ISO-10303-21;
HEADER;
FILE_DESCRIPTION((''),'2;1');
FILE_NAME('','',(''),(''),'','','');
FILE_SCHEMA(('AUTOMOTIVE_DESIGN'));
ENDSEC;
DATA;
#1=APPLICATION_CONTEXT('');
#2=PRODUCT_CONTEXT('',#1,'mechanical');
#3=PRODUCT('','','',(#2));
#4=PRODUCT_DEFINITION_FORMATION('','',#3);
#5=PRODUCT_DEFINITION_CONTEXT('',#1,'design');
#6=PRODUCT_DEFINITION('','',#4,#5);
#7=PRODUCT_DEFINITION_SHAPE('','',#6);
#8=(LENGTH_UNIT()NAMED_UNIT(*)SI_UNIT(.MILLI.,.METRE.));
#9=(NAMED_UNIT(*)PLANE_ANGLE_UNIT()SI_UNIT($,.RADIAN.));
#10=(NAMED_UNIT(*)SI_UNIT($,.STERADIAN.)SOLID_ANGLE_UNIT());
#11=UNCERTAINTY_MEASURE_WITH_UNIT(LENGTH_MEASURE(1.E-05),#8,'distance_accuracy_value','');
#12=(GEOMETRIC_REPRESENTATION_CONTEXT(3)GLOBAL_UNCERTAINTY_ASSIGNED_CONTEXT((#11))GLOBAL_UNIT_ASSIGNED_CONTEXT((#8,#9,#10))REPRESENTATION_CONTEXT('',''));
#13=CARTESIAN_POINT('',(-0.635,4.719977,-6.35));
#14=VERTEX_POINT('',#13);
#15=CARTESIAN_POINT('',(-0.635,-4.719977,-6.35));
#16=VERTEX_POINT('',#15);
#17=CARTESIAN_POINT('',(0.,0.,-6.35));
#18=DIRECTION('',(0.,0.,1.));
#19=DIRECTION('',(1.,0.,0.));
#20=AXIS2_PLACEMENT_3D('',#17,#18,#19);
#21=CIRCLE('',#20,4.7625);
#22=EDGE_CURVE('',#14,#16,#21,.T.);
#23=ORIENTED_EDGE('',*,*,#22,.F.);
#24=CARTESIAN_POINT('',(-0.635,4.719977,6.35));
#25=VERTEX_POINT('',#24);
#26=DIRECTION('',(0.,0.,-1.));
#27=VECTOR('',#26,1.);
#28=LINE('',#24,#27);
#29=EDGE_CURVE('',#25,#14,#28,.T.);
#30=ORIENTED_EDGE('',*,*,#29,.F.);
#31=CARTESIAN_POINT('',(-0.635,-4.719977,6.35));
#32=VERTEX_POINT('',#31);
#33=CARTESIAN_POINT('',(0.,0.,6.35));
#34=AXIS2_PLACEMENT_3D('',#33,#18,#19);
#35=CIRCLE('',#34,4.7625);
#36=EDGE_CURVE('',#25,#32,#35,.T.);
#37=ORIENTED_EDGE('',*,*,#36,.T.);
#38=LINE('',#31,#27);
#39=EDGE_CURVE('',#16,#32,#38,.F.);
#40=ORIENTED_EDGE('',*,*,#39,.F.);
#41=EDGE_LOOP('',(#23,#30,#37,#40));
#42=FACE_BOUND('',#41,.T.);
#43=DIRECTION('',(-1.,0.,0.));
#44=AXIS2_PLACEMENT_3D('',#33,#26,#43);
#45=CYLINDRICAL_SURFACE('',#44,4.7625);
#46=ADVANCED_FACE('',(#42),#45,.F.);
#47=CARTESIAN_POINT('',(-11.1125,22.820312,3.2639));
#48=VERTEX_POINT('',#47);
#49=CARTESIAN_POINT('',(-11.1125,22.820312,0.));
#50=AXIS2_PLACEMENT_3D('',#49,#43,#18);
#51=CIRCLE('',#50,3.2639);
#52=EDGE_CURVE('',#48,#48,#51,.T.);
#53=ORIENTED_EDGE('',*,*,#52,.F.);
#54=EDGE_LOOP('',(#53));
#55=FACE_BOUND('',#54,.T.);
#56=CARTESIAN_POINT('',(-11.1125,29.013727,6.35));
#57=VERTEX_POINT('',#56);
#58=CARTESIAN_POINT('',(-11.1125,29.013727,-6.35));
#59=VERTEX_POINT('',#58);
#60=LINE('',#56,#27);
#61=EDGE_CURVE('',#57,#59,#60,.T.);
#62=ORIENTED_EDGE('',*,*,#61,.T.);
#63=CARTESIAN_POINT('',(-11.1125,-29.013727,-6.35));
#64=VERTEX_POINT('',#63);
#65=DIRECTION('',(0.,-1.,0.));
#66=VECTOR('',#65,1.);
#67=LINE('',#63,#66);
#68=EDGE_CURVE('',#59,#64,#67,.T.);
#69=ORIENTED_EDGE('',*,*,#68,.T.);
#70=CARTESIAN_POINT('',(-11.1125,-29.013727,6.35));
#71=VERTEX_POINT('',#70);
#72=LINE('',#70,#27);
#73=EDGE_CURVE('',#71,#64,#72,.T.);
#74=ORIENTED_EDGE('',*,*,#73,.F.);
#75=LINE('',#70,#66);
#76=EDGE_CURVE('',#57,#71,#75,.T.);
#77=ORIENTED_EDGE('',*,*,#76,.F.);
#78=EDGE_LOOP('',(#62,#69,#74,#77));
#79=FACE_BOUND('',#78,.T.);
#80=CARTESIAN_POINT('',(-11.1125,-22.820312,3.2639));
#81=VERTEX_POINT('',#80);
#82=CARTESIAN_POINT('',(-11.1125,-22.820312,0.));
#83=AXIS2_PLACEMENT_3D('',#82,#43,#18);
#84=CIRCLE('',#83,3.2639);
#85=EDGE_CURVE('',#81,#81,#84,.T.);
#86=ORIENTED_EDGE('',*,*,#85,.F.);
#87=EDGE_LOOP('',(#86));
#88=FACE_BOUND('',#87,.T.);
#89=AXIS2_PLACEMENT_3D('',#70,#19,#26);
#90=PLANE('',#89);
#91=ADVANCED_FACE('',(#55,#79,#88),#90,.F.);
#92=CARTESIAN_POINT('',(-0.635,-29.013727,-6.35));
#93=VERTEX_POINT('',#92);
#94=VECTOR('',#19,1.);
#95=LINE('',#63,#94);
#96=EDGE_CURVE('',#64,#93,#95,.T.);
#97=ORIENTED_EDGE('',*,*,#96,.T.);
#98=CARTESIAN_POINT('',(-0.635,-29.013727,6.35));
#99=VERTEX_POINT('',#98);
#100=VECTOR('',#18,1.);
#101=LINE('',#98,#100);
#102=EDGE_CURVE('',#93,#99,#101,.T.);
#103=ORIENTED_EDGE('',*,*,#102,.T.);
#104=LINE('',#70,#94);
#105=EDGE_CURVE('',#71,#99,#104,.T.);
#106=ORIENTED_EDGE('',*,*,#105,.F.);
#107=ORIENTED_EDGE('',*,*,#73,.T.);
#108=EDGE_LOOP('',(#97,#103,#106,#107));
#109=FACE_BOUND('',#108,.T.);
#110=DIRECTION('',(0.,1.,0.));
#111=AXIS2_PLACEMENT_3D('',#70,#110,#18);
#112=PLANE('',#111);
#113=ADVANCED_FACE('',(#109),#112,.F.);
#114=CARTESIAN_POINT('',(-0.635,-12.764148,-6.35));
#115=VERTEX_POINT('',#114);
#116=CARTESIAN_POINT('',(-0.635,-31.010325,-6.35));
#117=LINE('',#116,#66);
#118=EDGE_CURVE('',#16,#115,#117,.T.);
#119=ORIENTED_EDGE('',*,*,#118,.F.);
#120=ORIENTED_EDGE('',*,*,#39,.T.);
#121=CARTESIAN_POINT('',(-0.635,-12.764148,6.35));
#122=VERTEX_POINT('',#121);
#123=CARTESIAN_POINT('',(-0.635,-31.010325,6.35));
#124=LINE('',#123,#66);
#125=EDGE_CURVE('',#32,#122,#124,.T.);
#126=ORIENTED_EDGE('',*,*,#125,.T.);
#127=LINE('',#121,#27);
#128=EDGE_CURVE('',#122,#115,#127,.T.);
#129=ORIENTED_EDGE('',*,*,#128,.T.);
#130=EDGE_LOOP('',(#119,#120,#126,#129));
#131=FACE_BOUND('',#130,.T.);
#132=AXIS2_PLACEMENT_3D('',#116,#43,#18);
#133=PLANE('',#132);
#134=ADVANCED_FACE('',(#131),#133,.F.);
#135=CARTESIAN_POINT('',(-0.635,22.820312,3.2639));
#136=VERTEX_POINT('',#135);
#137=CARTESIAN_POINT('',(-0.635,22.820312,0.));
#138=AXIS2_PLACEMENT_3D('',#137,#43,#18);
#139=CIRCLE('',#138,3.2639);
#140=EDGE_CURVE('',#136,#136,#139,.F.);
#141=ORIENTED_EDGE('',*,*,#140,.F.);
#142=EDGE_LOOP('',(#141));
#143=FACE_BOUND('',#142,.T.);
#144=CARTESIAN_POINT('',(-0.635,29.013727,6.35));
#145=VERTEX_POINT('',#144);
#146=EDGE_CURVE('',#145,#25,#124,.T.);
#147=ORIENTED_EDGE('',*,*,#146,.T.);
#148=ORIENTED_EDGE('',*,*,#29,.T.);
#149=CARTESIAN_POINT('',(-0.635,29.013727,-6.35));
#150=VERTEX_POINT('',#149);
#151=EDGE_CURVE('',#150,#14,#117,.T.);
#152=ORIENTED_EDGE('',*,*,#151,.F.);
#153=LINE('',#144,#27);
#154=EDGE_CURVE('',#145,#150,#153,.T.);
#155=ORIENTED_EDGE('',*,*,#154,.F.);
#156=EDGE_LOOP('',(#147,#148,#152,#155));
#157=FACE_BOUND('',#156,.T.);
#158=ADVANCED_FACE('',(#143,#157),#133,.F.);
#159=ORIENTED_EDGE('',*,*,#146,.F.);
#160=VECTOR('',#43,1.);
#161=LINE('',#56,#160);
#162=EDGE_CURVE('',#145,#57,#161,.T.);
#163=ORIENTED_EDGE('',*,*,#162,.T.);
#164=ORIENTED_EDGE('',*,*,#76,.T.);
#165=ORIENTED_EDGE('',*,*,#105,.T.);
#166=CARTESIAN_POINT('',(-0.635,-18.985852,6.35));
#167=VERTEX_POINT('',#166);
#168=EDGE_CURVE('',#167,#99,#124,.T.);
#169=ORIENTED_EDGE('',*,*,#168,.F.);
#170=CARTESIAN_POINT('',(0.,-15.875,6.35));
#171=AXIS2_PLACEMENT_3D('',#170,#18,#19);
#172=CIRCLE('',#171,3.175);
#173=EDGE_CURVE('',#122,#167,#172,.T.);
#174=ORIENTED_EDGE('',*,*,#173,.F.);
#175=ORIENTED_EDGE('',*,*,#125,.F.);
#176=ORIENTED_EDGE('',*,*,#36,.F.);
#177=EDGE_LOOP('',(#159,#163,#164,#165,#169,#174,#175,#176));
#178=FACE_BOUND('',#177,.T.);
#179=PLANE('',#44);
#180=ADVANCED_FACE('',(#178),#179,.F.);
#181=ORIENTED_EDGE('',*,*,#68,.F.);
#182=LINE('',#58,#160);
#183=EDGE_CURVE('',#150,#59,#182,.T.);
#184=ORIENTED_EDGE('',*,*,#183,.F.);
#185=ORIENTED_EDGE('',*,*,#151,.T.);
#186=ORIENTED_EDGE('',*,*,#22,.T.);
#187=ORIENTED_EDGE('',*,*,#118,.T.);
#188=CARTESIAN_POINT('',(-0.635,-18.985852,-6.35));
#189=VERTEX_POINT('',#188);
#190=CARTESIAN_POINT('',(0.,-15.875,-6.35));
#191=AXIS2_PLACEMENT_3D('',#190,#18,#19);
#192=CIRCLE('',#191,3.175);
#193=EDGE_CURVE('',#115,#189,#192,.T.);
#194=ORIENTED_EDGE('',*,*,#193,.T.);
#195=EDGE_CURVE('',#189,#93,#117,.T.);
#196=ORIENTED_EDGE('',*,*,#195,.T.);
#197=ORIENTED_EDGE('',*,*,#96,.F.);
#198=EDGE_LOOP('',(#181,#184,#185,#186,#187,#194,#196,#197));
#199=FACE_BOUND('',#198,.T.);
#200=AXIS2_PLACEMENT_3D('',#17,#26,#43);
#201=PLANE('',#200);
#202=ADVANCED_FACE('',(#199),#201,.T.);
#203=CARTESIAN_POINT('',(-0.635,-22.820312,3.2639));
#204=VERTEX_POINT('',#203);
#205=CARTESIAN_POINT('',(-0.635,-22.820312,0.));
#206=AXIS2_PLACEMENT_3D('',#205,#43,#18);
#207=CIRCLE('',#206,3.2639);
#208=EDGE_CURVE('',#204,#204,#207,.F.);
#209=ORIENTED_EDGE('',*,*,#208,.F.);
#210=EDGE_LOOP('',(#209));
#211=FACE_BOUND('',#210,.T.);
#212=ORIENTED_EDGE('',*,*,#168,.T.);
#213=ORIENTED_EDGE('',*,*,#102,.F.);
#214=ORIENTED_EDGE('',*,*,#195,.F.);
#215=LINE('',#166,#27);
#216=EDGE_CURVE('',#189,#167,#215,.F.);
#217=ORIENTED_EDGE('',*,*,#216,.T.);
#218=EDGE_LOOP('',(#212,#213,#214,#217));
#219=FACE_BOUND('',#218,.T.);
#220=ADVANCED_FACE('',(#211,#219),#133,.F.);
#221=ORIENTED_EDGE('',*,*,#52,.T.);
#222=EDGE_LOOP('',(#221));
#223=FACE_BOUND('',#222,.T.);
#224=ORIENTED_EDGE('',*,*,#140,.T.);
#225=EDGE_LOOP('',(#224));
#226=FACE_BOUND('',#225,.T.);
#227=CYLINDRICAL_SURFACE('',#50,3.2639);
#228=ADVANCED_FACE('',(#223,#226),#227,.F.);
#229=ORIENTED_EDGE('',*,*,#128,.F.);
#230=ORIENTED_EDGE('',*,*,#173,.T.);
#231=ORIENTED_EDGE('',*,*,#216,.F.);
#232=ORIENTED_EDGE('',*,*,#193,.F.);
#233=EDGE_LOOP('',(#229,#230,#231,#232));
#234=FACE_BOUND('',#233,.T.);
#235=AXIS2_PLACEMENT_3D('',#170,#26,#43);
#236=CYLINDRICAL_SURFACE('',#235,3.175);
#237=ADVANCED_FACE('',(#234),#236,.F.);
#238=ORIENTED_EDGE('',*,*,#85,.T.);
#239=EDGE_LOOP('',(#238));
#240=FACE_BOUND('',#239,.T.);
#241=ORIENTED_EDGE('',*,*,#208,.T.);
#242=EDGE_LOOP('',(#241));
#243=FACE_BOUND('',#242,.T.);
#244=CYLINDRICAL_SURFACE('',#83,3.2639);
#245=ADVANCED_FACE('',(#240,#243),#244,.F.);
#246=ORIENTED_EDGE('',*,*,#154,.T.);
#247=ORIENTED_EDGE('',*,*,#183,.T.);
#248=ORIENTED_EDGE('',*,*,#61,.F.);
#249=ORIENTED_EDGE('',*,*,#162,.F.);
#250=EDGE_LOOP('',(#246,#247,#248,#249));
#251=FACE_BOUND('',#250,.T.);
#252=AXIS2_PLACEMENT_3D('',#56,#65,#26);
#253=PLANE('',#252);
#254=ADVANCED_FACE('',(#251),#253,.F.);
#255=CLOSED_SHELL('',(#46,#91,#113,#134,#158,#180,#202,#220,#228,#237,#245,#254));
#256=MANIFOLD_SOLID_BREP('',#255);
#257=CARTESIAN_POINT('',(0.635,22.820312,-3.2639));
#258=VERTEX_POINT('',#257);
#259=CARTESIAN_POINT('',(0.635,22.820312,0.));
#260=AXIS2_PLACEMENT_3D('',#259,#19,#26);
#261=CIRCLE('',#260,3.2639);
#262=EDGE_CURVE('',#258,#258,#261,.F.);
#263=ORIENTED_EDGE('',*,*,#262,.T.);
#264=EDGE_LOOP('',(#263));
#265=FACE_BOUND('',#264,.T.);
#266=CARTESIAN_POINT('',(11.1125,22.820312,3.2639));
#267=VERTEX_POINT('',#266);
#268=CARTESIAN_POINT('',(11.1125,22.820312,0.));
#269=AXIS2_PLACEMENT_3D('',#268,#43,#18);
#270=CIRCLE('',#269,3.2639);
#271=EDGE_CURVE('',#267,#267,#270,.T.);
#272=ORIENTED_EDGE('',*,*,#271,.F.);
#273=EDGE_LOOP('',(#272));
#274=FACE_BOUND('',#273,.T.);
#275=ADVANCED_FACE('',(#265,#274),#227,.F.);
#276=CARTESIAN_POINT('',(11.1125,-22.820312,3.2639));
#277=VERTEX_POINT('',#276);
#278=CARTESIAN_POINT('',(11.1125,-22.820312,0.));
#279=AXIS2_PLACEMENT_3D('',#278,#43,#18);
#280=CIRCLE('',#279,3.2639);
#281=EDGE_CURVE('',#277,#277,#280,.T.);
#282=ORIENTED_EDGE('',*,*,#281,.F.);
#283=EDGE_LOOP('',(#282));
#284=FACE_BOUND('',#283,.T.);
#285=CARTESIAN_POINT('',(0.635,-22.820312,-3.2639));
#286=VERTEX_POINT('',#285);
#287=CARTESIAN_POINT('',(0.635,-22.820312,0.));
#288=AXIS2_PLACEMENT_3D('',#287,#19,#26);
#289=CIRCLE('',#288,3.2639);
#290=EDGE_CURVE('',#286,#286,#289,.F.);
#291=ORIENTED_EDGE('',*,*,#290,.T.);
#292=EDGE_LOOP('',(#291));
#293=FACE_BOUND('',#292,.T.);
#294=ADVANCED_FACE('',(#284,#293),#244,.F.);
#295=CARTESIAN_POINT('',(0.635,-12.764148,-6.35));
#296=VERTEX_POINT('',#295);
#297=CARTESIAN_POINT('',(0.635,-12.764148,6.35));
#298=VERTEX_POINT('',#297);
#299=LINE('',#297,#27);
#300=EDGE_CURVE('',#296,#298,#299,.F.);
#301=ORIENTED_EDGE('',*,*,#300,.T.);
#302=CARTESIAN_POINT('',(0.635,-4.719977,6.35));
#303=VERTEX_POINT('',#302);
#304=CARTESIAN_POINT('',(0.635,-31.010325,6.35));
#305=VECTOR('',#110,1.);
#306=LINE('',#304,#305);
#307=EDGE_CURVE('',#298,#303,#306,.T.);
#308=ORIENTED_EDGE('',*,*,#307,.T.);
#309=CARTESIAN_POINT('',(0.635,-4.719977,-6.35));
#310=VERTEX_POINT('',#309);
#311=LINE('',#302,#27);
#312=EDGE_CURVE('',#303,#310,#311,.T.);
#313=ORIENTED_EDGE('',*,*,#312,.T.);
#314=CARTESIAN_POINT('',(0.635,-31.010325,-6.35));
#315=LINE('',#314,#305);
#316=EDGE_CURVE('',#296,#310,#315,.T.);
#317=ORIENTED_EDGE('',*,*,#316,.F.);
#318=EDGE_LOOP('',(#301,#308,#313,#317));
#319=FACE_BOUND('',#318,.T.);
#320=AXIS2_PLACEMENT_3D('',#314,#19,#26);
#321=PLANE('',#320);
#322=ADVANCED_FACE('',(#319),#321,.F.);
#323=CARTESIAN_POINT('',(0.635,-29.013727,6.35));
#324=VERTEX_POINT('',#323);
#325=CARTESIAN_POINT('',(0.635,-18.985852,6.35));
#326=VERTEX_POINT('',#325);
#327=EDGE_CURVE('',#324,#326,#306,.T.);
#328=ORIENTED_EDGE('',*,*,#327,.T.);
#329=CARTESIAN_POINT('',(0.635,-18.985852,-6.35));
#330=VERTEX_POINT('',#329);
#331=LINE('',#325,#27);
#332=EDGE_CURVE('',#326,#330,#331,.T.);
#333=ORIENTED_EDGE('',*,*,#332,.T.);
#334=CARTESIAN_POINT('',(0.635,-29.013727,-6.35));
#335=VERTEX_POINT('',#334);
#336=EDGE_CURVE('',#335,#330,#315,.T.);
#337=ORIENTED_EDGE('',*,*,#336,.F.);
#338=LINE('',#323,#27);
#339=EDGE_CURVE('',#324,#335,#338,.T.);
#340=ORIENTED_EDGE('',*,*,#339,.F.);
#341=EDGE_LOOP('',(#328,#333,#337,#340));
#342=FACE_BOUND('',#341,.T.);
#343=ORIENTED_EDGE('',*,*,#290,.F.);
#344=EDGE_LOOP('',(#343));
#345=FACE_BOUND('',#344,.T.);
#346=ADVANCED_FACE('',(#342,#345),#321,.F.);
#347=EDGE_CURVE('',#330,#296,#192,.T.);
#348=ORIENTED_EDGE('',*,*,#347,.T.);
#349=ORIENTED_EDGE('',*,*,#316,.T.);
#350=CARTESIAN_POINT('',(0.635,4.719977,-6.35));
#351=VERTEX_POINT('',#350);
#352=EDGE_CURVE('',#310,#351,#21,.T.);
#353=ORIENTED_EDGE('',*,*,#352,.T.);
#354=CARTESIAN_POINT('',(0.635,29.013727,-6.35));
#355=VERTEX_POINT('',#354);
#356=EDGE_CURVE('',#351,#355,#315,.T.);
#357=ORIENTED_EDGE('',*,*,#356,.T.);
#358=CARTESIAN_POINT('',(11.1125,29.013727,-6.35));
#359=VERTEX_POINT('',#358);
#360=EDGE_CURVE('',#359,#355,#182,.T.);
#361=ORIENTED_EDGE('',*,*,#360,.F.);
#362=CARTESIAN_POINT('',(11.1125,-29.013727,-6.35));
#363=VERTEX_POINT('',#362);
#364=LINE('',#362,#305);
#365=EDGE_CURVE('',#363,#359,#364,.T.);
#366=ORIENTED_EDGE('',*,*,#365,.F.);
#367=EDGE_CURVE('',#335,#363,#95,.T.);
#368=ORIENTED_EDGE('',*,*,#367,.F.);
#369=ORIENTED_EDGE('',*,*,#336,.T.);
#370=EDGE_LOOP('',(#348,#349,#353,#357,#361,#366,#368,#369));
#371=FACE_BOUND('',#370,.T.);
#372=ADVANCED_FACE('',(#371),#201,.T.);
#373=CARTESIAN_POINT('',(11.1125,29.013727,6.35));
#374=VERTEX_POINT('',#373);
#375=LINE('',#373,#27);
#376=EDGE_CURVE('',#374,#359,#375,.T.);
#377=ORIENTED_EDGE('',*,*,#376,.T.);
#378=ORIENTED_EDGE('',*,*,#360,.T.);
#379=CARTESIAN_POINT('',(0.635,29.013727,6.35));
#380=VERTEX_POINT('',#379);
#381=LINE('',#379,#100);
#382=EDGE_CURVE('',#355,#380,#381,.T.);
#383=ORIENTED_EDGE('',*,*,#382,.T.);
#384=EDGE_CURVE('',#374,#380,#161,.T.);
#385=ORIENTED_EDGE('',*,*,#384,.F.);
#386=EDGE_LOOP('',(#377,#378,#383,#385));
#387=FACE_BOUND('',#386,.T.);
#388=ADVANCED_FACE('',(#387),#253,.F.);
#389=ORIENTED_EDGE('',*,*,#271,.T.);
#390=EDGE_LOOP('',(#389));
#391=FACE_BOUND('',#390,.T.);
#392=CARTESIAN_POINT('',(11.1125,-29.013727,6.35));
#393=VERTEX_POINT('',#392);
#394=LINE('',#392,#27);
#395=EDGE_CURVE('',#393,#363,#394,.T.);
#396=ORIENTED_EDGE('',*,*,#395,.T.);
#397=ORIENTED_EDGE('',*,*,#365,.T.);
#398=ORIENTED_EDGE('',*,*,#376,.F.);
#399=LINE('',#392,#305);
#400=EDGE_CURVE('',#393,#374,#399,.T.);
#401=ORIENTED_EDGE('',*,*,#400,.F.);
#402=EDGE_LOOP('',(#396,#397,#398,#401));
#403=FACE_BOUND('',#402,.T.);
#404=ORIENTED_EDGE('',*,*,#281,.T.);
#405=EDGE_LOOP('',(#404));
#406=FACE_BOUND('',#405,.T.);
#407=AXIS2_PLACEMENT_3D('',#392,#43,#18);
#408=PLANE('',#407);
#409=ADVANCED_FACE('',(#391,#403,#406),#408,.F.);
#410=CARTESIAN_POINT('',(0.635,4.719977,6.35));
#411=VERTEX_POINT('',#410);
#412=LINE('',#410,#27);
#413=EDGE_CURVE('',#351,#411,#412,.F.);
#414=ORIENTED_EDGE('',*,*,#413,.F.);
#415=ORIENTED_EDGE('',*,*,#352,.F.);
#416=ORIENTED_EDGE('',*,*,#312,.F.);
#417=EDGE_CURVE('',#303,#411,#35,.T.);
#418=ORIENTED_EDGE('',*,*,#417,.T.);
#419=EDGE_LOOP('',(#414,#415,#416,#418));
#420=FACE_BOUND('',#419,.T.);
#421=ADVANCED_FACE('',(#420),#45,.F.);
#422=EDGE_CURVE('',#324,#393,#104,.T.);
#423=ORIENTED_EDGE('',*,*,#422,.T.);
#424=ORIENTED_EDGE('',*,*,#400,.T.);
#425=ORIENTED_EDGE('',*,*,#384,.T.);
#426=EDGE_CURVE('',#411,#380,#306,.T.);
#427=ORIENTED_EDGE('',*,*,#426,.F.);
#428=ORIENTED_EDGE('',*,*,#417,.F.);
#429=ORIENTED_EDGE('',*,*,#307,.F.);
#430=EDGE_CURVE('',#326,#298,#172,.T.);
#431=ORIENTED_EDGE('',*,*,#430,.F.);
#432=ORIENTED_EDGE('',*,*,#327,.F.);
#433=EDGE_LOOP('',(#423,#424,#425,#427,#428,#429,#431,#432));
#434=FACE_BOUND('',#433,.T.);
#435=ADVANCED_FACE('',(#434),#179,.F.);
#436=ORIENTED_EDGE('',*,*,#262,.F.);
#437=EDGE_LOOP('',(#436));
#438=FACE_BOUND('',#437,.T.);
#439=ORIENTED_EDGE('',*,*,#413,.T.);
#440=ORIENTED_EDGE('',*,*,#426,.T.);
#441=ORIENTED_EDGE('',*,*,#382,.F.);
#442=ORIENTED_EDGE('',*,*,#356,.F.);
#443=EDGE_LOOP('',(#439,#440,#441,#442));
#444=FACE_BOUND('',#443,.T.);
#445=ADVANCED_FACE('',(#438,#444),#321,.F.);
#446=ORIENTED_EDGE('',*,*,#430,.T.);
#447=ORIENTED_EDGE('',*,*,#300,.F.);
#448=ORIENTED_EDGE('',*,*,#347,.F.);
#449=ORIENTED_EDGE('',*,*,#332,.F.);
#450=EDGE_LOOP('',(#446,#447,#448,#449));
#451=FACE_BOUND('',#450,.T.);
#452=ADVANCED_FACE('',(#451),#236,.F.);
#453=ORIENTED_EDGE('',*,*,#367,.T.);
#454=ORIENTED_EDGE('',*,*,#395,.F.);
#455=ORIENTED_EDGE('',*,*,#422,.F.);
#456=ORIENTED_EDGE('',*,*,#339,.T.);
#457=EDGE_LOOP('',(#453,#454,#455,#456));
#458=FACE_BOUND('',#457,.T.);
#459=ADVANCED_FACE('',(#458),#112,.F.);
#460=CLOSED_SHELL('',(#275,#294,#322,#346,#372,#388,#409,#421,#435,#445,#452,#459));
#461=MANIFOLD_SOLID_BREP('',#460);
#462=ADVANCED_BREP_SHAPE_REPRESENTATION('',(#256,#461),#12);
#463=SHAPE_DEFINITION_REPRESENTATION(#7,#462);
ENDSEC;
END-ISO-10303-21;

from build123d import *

# Parameters (mm, degrees)
SKETCH1_W               = 22.225
SKETCH1_H               = 58.027453668
SKETCH1_R               = 4.7625
SKETCH1_R_2             = 3.175
BOSS_EXTRUDE1_DEPTH     = 6.35
F_1_4_CLEARANCE_HOLE1_D = 6.5278
CUT_EXTRUDE1_DEPTH      = 32.711299265
CUT_EXTRUDE1_DEPTH_BACK = 32.711299265
SKETCH4_W               = 1.27
SKETCH4_H               = 62.020650964


with BuildPart() as part:
    # Sketch1 → Boss-Extrude1 (new, symmetric)
    with BuildSketch(Plane.XY):
        Rectangle(SKETCH1_W, SKETCH1_H)
        Circle(SKETCH1_R, mode=Mode.SUBTRACT)
        with Locations((0, -15.875)):
            Circle(SKETCH1_R_2, mode=Mode.SUBTRACT)
    extrude(amount=BOSS_EXTRUDE1_DEPTH, both=True)

    # 1/4 Clearance Hole1 (through all)
    with Locations(Plane.ZY.offset(11.1125)):
        with Locations((0, 22.8203125), (0, -22.8203125)):
            Hole(F_1_4_CLEARANCE_HOLE1_D / 2)

    # Sketch4 → Cut-Extrude1 (cut, two sides: drawn at the far end of the back side and taken through both)
    with BuildSketch(Plane.XY.offset(-CUT_EXTRUDE1_DEPTH_BACK)):
        Rectangle(SKETCH4_W, SKETCH4_H)
    extrude(amount=CUT_EXTRUDE1_DEPTH + CUT_EXTRUDE1_DEPTH_BACK, mode=Mode.SUBTRACT)


with BuildPart() as cut_extrude1_piece_1:
    # of the separate pieces the step leaves, piece 1, a body of its own (cut_extrude1_pieces)
    add(part.part.solids().sort_by_distance((-11.1125, -29.013726834, 6.35))[0])


with BuildPart() as cut_extrude1_piece_2:
    # of the separate pieces the step leaves, piece 2, a body of its own (cut_extrude1_pieces)
    add(part.part.solids().sort_by_distance((0.635, -29.013726834, 6.35))[0])


solid = Compound([cut_extrude1_piece_1.part, cut_extrude1_piece_2.part])
